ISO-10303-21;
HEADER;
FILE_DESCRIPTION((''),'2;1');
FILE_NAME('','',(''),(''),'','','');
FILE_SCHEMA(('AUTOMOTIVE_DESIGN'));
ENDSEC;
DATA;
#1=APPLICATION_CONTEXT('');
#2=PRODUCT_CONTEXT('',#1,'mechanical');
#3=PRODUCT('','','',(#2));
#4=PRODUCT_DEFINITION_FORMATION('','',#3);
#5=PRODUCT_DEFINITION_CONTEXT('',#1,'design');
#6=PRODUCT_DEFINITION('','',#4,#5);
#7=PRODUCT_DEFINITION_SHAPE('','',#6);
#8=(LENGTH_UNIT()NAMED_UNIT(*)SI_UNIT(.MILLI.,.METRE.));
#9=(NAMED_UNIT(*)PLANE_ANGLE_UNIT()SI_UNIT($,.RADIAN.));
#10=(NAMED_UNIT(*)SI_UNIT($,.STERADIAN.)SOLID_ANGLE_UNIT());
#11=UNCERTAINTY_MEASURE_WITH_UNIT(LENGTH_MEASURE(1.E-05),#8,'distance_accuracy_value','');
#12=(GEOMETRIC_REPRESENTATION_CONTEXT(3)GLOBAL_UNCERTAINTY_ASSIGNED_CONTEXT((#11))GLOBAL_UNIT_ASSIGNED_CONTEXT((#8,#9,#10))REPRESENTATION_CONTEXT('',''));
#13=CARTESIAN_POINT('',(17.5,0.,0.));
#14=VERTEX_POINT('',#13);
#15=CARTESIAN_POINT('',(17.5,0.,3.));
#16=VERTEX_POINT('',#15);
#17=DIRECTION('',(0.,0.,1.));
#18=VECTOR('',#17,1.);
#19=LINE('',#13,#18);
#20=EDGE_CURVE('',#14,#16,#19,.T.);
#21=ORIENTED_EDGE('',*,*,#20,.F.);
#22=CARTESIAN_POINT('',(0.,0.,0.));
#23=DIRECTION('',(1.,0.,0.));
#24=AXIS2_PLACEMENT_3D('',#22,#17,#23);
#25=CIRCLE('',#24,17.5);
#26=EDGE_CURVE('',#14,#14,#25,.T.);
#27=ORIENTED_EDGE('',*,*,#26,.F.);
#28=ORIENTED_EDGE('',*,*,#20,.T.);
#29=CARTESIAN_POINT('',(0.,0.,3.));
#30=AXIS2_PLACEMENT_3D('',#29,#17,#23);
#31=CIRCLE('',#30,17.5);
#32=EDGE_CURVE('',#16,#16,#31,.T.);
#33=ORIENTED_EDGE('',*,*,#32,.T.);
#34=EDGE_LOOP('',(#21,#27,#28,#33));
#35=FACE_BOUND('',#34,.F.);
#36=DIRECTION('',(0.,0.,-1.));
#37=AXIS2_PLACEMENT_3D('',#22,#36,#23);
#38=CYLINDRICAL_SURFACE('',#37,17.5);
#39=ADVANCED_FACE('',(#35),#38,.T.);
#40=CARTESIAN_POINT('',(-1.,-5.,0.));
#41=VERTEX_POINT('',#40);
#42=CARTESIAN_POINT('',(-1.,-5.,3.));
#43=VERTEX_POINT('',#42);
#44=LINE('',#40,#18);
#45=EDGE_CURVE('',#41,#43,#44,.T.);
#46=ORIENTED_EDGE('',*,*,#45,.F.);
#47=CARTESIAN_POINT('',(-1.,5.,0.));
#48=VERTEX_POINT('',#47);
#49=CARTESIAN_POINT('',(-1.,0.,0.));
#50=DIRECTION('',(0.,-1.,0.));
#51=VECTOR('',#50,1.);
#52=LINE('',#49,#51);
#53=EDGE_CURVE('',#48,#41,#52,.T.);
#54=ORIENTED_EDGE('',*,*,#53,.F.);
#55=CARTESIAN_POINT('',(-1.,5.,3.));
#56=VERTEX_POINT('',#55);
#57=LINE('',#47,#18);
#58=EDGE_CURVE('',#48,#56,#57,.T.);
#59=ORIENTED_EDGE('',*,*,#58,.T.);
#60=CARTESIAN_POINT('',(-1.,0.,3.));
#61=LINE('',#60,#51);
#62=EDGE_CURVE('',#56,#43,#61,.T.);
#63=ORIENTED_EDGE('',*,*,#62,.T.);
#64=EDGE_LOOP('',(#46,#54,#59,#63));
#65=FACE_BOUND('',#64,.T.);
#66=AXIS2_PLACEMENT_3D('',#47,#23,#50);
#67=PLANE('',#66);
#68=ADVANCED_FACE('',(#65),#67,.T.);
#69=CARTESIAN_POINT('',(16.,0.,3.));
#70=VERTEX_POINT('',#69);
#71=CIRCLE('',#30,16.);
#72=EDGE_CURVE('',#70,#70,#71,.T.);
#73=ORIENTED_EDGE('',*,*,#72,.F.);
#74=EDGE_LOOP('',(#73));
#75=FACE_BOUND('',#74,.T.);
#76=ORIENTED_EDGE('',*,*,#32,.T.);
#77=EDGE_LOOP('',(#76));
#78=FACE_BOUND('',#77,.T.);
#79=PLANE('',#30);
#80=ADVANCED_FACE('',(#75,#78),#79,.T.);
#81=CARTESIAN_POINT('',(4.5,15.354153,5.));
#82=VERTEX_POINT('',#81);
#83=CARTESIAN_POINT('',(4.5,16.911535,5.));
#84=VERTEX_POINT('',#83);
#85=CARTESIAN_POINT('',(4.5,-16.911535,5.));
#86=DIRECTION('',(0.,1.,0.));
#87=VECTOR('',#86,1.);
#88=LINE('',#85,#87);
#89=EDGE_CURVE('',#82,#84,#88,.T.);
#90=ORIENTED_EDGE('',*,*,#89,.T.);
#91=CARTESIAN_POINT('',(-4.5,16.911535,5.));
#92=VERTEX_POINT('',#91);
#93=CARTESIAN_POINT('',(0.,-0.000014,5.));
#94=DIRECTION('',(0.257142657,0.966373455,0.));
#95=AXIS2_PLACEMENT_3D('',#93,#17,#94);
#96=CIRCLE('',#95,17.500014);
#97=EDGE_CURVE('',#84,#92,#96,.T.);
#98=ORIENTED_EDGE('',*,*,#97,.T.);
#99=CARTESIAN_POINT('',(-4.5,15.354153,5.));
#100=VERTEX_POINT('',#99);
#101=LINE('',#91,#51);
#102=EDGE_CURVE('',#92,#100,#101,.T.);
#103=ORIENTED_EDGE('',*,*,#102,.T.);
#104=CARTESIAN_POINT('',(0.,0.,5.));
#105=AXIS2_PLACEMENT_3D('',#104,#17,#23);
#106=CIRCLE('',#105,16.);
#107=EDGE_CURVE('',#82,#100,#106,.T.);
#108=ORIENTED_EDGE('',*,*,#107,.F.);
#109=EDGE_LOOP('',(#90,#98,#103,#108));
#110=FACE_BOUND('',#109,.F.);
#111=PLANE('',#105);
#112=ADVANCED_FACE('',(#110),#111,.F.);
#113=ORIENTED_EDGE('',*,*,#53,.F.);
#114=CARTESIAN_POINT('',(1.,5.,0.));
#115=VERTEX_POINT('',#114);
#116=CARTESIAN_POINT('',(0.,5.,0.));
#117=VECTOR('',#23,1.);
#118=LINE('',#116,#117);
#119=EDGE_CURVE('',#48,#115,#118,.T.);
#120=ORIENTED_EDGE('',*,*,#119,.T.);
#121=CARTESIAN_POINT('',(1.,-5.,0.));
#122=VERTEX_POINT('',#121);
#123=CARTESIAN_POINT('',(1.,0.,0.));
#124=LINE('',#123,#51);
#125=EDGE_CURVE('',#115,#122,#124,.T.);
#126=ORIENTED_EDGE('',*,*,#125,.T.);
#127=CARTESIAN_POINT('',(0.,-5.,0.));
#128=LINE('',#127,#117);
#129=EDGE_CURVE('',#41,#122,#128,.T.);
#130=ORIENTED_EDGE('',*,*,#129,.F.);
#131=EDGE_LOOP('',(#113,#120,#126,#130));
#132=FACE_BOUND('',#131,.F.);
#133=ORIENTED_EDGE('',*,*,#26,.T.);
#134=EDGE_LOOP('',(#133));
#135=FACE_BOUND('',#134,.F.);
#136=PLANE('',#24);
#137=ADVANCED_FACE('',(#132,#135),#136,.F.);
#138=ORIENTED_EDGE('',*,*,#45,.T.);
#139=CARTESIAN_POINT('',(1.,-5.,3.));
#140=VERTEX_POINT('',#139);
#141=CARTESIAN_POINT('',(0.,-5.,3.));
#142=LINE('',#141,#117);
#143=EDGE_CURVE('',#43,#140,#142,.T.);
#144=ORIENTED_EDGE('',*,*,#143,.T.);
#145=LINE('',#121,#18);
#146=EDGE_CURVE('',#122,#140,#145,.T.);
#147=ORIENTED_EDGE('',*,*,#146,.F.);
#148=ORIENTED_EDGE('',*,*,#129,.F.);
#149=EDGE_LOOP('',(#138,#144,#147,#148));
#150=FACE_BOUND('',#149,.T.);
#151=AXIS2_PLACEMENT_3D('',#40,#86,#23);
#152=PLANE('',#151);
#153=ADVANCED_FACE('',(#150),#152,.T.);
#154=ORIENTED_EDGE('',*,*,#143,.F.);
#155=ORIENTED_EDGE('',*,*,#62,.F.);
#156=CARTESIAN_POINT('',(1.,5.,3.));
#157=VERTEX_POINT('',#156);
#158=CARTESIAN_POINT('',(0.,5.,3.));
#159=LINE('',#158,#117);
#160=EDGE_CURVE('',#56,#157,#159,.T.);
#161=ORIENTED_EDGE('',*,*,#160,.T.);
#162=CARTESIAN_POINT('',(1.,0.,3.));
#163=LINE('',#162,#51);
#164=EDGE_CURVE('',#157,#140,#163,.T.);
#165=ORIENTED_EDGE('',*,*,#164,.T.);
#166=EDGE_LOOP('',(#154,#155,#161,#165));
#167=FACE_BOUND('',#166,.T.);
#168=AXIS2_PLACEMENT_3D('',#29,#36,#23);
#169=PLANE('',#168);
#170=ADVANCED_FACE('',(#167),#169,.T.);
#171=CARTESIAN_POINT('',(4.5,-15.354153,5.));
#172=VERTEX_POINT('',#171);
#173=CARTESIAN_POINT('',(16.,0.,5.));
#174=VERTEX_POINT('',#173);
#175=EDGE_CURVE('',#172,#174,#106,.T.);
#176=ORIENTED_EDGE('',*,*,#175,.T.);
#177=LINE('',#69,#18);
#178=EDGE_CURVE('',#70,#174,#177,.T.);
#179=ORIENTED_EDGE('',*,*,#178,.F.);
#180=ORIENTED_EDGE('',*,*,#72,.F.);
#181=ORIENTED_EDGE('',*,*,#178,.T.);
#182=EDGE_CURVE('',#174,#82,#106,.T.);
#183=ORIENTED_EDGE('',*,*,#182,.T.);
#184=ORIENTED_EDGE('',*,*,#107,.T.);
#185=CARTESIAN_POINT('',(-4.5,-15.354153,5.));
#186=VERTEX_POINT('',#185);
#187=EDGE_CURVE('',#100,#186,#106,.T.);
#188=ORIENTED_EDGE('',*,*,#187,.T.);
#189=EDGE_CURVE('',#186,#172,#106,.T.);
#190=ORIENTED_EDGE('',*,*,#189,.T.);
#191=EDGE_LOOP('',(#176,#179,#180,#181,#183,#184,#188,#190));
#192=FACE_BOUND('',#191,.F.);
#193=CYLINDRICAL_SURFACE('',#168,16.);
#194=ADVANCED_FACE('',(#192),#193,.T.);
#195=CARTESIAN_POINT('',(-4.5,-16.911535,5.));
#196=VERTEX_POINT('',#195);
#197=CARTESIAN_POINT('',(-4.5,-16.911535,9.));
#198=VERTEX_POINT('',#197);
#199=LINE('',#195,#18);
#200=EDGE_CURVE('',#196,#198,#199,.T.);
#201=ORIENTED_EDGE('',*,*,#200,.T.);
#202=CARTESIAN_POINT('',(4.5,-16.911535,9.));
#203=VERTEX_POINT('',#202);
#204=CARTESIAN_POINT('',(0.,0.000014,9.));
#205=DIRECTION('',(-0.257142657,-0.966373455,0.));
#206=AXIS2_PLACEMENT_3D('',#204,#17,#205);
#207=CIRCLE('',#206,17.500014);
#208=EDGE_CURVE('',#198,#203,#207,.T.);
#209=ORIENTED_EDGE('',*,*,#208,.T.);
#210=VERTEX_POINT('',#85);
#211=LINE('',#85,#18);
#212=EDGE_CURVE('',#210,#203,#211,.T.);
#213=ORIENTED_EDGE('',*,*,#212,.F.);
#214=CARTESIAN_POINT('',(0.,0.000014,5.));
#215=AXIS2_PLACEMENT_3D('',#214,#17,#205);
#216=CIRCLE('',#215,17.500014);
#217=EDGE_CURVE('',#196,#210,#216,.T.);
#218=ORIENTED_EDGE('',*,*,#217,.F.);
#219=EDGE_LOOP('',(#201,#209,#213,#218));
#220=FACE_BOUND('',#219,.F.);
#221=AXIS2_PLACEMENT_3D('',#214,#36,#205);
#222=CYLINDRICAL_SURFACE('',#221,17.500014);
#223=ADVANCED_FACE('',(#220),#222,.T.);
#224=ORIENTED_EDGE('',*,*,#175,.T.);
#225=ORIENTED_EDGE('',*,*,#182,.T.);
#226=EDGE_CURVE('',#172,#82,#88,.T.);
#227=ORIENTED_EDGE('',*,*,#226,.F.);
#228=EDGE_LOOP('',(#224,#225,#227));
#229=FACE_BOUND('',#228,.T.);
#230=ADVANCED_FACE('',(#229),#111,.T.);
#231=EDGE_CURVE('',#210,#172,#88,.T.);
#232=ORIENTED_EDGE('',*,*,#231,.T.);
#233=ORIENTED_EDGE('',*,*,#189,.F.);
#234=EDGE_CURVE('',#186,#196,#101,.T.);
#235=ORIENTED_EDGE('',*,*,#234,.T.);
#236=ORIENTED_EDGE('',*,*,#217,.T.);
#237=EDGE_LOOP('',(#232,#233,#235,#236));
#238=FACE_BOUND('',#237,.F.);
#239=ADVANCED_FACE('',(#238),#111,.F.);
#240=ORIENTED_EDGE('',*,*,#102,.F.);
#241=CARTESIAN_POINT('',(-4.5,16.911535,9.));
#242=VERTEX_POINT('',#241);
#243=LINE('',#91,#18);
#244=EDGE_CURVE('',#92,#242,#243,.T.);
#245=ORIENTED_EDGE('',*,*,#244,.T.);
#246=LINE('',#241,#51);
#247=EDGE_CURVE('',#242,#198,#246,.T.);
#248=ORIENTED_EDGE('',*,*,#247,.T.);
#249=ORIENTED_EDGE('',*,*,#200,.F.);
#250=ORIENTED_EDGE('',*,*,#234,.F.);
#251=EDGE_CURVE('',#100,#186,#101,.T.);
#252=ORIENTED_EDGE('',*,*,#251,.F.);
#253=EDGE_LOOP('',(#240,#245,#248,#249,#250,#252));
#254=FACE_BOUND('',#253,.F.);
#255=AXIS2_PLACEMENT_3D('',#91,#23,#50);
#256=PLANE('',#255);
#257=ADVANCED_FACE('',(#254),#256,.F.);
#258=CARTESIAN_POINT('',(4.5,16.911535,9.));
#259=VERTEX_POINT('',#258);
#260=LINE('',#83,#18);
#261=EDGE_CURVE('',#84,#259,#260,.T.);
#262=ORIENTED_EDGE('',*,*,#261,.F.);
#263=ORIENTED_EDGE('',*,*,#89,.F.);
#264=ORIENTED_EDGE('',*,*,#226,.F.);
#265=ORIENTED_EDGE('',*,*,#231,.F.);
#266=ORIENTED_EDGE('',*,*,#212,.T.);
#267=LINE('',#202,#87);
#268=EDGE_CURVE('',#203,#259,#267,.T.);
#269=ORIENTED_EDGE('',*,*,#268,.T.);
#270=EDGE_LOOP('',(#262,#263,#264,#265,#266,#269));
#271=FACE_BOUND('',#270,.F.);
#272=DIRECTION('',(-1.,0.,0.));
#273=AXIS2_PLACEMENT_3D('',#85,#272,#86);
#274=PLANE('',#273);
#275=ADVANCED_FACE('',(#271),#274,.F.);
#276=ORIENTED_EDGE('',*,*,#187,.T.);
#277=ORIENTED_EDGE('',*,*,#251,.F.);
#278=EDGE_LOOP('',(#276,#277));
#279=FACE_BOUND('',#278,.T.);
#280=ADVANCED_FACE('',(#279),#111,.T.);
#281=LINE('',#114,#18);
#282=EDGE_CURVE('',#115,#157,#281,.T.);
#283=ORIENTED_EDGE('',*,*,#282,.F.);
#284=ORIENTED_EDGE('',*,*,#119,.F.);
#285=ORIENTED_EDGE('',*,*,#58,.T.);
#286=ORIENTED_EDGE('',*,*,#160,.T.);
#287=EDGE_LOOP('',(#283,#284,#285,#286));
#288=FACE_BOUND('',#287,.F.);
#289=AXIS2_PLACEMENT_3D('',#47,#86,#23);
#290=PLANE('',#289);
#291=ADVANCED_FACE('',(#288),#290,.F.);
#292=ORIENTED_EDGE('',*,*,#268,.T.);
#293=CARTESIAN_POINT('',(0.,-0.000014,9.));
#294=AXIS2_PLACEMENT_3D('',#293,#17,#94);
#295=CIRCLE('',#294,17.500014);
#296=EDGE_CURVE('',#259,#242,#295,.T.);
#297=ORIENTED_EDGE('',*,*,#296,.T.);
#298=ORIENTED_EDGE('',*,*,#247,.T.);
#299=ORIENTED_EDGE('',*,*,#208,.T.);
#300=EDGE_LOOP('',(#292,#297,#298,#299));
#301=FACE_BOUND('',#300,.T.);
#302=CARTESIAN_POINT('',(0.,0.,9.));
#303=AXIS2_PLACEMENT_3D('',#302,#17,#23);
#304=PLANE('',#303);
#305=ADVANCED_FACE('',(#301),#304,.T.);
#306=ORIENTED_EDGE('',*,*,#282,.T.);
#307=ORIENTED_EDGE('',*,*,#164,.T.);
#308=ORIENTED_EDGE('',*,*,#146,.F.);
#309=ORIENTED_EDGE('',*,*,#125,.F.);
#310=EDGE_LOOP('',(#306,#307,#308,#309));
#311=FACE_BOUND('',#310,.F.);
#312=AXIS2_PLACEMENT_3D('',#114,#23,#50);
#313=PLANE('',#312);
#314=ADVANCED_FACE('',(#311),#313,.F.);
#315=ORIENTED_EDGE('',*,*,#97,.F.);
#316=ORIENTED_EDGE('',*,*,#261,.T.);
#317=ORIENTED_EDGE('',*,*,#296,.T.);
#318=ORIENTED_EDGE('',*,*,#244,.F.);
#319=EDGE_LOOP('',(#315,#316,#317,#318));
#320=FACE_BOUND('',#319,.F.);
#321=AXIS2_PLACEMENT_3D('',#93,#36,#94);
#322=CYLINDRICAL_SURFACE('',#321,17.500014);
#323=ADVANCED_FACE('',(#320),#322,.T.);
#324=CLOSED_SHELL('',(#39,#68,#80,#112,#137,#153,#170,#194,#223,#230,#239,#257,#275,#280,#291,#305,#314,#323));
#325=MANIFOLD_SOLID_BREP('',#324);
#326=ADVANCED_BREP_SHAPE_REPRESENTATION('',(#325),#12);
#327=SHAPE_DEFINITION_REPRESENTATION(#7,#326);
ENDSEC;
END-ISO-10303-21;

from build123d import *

# Parameters (mm, degrees)
F0_R     = 17.5
F1_DEPTH = 3
F2_R     = 16
F3_DEPTH = 2
F5_DEPTH = 4
F6_W     = 2
F6_H     = 10
F7_DEPTH = 3


with BuildPart() as f1:
    # F0 (on Top) → F1 (new body)
    with BuildSketch(Plane.XY):
        Circle(F0_R)
    extrude(amount=F1_DEPTH)

    # F2 (on face) → F3 (join)
    with BuildSketch(Plane.XY.offset(3)):
        Circle(F2_R)
    extrude(amount=F3_DEPTH)

    # F4 (on face) → F5 (join)
    with BuildSketch(Plane.XY.offset(5)):
        with BuildLine():
            Line((4.5, -16.911535), (4.5, 16.911535))
            ThreePointArc((4.5, 16.911535), (0, 17.5), (-4.5, 16.911535))
            Line((-4.5, 16.911535), (-4.5, -16.911535))
            ThreePointArc((-4.5, -16.911535), (0, -17.5), (4.5, -16.911535))
        make_face()
    extrude(amount=F5_DEPTH)

    # F6 (on face) → F7 (cut)
    with BuildSketch(Plane(origin=(0, 0, 0), x_dir=(1, 0, 0), z_dir=(0, 0, -1))):
        Rectangle(F6_W, F6_H)
    extrude(amount=-F7_DEPTH, mode=Mode.SUBTRACT)


solid = f1.part
